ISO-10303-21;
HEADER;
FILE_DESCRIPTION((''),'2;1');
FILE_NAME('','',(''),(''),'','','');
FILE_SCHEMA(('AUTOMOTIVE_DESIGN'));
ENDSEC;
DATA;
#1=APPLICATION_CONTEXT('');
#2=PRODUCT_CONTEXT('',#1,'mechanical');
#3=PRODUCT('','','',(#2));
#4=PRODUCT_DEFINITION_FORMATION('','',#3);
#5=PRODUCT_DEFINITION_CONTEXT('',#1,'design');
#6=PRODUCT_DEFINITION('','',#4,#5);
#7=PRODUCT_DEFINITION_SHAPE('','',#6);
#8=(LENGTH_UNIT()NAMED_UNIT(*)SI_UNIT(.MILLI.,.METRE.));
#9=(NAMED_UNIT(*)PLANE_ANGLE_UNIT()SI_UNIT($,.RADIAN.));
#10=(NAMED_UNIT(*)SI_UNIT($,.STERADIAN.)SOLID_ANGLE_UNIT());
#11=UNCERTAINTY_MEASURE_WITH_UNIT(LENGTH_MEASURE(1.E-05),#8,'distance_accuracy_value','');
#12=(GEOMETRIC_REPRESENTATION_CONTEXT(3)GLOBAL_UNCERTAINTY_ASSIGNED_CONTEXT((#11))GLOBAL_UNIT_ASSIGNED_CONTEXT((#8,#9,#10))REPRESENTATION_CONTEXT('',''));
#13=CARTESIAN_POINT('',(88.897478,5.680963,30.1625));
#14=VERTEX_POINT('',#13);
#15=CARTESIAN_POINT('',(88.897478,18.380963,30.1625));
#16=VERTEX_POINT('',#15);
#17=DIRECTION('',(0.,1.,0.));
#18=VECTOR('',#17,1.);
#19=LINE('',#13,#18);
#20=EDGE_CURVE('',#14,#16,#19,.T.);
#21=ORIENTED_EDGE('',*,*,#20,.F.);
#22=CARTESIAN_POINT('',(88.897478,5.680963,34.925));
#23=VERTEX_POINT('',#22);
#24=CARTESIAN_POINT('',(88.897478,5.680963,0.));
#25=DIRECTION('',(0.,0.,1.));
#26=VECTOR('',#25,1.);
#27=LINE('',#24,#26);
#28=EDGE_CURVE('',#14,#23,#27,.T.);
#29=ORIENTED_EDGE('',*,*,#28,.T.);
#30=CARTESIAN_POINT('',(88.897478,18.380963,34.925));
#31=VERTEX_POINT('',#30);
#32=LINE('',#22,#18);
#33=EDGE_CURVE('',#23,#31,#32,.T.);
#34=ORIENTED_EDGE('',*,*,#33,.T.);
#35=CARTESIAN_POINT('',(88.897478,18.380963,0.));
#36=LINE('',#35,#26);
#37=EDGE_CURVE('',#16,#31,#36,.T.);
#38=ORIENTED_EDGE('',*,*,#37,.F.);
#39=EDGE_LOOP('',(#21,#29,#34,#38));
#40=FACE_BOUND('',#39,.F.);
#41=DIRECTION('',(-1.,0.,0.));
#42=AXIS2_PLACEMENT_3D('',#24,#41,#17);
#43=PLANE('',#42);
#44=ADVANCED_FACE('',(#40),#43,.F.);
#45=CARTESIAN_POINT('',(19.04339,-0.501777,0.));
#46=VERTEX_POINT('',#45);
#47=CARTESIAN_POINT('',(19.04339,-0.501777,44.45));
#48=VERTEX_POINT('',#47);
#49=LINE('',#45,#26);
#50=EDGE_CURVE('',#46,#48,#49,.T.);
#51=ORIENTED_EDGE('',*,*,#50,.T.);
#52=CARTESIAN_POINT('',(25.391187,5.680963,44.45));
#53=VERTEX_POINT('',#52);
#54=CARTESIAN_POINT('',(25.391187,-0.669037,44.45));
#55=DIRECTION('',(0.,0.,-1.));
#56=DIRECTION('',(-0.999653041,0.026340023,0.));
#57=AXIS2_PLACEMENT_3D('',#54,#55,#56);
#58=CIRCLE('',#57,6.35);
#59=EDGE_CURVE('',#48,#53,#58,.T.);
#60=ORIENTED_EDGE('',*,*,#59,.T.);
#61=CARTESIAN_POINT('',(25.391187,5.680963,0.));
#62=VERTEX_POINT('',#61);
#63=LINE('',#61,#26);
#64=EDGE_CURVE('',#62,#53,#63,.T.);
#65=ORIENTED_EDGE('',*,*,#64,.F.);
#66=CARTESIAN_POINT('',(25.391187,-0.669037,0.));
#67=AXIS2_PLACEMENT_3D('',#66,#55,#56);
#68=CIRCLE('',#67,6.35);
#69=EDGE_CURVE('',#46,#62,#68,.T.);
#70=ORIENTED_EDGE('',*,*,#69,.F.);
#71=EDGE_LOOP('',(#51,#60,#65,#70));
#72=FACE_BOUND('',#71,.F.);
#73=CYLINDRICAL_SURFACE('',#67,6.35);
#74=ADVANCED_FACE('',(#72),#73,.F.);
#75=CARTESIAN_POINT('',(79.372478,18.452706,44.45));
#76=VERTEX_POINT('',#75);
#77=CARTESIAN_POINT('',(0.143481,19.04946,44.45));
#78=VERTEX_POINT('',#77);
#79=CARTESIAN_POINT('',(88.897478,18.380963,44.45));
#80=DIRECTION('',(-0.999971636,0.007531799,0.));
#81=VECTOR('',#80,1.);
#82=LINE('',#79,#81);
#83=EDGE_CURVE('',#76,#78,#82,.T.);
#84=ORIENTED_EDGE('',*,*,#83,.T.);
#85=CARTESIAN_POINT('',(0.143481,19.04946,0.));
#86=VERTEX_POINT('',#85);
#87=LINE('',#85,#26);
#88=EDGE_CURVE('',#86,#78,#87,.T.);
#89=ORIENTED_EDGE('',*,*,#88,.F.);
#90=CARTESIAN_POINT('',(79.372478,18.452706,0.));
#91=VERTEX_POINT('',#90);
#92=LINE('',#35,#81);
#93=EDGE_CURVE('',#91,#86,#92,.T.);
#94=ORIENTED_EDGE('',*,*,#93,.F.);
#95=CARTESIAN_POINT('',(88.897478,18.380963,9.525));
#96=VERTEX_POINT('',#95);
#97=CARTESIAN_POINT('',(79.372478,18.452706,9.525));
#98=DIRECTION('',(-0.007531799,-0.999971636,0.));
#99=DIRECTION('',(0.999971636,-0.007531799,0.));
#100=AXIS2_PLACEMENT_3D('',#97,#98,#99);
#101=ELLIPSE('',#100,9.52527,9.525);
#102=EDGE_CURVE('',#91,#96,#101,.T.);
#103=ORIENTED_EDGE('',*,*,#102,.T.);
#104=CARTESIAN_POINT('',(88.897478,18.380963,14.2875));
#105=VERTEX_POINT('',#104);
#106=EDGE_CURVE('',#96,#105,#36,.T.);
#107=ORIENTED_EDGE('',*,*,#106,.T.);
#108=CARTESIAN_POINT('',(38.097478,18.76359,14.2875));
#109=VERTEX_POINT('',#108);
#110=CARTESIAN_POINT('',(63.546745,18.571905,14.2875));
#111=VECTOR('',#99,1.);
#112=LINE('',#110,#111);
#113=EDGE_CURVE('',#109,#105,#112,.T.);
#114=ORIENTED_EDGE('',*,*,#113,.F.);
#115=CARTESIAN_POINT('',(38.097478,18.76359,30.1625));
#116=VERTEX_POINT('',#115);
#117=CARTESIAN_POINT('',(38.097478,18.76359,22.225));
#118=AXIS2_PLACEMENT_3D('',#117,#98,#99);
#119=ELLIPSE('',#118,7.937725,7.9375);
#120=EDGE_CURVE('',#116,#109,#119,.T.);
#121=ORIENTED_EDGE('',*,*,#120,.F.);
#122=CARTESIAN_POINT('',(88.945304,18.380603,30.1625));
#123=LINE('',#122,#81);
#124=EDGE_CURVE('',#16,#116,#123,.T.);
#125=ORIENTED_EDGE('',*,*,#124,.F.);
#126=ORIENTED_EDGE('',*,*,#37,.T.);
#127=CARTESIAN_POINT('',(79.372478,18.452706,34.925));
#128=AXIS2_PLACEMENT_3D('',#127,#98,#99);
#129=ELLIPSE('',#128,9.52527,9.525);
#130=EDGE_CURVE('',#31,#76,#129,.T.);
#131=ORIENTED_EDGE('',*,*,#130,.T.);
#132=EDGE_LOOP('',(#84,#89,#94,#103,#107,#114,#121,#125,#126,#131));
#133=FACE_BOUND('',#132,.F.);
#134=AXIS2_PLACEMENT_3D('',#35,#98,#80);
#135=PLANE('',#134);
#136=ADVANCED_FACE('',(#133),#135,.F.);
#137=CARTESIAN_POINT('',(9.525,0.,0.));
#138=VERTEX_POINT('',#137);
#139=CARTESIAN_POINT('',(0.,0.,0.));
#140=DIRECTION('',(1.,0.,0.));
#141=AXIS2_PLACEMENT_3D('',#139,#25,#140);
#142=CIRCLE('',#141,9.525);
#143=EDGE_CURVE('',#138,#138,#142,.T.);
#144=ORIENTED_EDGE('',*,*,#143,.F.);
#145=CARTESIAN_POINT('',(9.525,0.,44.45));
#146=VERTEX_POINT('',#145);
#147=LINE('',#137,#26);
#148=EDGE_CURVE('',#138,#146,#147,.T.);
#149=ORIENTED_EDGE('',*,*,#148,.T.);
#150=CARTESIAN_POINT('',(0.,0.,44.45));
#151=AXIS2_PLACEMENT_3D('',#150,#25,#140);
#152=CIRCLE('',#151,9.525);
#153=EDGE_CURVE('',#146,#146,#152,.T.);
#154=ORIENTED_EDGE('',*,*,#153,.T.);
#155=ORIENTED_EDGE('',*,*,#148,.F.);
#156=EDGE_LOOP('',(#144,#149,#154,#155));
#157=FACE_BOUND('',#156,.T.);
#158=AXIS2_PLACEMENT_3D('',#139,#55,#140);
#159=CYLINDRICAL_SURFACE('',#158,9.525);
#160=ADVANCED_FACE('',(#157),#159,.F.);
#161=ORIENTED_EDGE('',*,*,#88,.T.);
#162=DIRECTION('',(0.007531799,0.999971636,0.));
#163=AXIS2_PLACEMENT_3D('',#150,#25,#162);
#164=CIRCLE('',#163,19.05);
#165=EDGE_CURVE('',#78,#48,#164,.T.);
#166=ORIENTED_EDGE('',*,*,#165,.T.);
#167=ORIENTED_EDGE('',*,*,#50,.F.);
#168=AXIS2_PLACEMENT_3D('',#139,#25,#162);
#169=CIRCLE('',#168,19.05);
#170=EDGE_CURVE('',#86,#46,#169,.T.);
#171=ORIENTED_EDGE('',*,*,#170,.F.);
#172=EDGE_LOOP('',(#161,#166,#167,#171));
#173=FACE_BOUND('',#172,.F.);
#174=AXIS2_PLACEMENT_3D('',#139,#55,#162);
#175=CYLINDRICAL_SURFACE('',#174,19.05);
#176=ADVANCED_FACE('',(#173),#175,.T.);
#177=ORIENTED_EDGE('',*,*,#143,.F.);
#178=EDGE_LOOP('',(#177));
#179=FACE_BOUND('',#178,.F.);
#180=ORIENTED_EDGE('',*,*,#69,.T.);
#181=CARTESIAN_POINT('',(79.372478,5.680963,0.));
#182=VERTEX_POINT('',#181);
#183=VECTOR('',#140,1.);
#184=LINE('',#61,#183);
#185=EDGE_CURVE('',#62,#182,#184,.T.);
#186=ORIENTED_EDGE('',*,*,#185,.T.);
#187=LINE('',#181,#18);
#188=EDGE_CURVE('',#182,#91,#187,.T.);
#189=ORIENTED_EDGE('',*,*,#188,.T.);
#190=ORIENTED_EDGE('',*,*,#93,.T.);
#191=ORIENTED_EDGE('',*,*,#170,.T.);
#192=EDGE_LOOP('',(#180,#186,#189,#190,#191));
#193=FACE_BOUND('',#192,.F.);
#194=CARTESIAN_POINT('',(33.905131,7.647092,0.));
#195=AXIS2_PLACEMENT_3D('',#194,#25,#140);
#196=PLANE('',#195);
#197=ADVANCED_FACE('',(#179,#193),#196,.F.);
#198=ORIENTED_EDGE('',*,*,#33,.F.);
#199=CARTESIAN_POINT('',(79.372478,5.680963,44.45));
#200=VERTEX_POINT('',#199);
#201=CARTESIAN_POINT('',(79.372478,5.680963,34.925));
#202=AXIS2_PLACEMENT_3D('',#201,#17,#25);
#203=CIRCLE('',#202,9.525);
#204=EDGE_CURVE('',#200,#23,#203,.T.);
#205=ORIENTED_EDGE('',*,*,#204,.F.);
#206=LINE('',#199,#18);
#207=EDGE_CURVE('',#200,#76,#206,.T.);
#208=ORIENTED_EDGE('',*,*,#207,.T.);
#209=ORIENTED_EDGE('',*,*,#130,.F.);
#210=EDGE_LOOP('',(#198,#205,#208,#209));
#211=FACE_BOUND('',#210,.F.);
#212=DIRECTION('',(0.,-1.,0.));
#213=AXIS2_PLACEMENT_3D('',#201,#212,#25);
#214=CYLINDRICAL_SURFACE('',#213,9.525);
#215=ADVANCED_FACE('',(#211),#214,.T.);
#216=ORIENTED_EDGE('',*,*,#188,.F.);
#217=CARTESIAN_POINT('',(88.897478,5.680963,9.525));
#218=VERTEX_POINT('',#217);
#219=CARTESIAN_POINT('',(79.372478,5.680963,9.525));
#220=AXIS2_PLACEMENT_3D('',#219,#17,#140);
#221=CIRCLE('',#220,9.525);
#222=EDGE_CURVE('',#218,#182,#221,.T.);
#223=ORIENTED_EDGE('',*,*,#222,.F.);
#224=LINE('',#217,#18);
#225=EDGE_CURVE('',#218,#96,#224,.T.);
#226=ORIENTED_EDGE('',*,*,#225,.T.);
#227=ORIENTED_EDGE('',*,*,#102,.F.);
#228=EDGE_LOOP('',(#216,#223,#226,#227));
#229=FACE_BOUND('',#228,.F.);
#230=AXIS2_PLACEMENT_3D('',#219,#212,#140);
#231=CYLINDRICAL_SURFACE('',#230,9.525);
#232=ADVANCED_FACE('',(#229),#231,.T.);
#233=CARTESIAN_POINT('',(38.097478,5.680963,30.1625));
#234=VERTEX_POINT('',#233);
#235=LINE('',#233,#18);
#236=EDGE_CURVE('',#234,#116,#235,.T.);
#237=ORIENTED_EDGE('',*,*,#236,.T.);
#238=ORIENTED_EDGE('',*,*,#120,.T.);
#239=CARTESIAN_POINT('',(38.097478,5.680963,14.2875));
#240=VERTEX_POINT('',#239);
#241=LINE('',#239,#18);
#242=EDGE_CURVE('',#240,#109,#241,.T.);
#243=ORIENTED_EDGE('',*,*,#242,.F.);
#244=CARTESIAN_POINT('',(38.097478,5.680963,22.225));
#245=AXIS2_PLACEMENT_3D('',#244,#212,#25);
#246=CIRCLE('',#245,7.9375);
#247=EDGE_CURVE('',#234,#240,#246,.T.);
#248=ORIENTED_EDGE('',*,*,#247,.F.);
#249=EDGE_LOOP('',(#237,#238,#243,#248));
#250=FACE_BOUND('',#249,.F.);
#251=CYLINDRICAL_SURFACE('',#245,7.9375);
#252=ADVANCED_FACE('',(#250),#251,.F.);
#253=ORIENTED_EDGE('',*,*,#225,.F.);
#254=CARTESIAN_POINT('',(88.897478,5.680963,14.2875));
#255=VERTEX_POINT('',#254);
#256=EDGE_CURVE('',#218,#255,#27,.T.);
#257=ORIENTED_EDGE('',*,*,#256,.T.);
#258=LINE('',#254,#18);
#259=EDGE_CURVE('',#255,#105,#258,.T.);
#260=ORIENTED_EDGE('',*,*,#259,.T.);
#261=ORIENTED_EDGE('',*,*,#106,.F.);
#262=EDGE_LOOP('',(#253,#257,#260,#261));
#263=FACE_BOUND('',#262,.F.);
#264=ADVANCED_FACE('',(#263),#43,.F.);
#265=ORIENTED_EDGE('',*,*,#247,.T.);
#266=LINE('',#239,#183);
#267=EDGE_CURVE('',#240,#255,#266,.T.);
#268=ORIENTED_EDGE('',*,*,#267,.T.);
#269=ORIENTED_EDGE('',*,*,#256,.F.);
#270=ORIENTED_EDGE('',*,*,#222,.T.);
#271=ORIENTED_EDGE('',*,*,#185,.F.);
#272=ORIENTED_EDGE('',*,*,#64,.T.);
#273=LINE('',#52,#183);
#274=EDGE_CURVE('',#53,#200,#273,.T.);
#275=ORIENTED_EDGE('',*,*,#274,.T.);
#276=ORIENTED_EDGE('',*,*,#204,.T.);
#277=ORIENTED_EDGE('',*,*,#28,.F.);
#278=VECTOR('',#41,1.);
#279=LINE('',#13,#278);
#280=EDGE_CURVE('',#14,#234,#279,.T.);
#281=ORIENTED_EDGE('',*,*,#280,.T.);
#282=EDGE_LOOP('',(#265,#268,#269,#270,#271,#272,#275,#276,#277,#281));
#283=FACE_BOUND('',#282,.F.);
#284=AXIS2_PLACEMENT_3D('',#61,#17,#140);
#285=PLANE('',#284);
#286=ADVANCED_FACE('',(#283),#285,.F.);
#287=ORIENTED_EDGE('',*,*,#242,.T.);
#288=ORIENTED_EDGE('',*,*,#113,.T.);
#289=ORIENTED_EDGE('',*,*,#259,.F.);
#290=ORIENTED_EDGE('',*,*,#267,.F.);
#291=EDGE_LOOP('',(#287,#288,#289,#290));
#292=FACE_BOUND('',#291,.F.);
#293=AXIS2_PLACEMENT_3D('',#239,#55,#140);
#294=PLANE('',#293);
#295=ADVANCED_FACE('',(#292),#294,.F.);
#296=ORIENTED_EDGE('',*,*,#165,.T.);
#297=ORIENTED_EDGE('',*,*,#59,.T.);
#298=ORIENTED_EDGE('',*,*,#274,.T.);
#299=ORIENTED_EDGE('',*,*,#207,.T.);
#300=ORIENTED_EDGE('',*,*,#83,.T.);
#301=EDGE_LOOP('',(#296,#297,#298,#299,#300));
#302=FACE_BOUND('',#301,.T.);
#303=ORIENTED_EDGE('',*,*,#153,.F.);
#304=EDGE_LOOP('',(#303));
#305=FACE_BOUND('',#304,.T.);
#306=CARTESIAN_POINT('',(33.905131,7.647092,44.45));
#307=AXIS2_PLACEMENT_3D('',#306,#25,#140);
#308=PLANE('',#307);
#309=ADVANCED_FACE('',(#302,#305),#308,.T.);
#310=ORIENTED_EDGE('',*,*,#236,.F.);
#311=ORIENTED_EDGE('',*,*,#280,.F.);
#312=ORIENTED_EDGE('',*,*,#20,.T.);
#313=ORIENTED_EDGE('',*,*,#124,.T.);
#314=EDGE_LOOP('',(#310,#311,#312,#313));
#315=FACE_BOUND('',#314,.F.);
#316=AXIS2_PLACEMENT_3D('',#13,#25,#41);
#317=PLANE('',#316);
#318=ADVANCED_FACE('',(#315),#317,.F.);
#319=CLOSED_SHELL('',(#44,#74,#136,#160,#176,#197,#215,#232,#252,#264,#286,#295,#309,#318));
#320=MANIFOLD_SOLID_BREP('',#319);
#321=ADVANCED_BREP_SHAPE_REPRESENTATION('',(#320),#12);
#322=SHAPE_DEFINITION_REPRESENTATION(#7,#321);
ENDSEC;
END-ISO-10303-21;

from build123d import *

# Parameters (mm, degrees)
F0_R     = 9.525
F1_DEPTH = 44.45
F3_DEPTH = 13.1434116064


with BuildPart() as f1:
    # F0 (on Top) → F1 (new body)
    with BuildSketch(Plane.XY):
        with BuildLine():
            Line((88.8974784046, 18.380963405), (0.1434807755, 19.0494596581))
            ThreePointArc((0.1434807755, 19.0494596581), (-13.6965953734, -13.2403087266), (19.0433904385, -0.5017774462))
            ThreePointArc((19.0433904385, -0.5017774462), (20.960588849, 3.8798421457), (25.3911872514, 5.680963405))
            Line((25.3911872514, 5.680963405), (88.8974784046, 5.680963405))
            Line((88.8974784046, 5.680963405), (88.8974784046, 18.380963405))
        make_face()
        Circle(F0_R, mode=Mode.SUBTRACT)
    extrude(amount=F1_DEPTH)

    # F2 (on face) → F3 (cut, through all)
    with BuildSketch(Plane.XZ.offset(-5.680963405)):
        with BuildLine():
            Line((88.8974784046, 0), (88.8974784046, 9.525))
            ThreePointArc((88.8974784046, 9.525), (86.1076704955, 2.7898079092), (79.3724784046, 0))
            Line((79.3724784046, 0), (88.8974784046, 0))
        make_face()
        with BuildLine():
            ThreePointArc((79.3724784046, 44.45), (86.1076704955, 41.6601920908), (88.8974784046, 34.925))
            Line((88.8974784046, 34.925), (88.8974784046, 44.45))
            Line((88.8974784046, 44.45), (79.3724784046, 44.45))
        make_face()
        with BuildLine():
            Line((88.8974784046, 30.1625), (38.0974784046, 30.1625))
            ThreePointArc((38.0974784046, 30.1625), (30.1599784046, 22.225), (38.0974784046, 14.2875))
            Line((38.0974784046, 14.2875), (88.8974784046, 14.2875))
            Line((88.8974784046, 14.2875), (88.8974784046, 30.1625))
        make_face()
    extrude(amount=-F3_DEPTH, mode=Mode.SUBTRACT)


solid = f1.part
